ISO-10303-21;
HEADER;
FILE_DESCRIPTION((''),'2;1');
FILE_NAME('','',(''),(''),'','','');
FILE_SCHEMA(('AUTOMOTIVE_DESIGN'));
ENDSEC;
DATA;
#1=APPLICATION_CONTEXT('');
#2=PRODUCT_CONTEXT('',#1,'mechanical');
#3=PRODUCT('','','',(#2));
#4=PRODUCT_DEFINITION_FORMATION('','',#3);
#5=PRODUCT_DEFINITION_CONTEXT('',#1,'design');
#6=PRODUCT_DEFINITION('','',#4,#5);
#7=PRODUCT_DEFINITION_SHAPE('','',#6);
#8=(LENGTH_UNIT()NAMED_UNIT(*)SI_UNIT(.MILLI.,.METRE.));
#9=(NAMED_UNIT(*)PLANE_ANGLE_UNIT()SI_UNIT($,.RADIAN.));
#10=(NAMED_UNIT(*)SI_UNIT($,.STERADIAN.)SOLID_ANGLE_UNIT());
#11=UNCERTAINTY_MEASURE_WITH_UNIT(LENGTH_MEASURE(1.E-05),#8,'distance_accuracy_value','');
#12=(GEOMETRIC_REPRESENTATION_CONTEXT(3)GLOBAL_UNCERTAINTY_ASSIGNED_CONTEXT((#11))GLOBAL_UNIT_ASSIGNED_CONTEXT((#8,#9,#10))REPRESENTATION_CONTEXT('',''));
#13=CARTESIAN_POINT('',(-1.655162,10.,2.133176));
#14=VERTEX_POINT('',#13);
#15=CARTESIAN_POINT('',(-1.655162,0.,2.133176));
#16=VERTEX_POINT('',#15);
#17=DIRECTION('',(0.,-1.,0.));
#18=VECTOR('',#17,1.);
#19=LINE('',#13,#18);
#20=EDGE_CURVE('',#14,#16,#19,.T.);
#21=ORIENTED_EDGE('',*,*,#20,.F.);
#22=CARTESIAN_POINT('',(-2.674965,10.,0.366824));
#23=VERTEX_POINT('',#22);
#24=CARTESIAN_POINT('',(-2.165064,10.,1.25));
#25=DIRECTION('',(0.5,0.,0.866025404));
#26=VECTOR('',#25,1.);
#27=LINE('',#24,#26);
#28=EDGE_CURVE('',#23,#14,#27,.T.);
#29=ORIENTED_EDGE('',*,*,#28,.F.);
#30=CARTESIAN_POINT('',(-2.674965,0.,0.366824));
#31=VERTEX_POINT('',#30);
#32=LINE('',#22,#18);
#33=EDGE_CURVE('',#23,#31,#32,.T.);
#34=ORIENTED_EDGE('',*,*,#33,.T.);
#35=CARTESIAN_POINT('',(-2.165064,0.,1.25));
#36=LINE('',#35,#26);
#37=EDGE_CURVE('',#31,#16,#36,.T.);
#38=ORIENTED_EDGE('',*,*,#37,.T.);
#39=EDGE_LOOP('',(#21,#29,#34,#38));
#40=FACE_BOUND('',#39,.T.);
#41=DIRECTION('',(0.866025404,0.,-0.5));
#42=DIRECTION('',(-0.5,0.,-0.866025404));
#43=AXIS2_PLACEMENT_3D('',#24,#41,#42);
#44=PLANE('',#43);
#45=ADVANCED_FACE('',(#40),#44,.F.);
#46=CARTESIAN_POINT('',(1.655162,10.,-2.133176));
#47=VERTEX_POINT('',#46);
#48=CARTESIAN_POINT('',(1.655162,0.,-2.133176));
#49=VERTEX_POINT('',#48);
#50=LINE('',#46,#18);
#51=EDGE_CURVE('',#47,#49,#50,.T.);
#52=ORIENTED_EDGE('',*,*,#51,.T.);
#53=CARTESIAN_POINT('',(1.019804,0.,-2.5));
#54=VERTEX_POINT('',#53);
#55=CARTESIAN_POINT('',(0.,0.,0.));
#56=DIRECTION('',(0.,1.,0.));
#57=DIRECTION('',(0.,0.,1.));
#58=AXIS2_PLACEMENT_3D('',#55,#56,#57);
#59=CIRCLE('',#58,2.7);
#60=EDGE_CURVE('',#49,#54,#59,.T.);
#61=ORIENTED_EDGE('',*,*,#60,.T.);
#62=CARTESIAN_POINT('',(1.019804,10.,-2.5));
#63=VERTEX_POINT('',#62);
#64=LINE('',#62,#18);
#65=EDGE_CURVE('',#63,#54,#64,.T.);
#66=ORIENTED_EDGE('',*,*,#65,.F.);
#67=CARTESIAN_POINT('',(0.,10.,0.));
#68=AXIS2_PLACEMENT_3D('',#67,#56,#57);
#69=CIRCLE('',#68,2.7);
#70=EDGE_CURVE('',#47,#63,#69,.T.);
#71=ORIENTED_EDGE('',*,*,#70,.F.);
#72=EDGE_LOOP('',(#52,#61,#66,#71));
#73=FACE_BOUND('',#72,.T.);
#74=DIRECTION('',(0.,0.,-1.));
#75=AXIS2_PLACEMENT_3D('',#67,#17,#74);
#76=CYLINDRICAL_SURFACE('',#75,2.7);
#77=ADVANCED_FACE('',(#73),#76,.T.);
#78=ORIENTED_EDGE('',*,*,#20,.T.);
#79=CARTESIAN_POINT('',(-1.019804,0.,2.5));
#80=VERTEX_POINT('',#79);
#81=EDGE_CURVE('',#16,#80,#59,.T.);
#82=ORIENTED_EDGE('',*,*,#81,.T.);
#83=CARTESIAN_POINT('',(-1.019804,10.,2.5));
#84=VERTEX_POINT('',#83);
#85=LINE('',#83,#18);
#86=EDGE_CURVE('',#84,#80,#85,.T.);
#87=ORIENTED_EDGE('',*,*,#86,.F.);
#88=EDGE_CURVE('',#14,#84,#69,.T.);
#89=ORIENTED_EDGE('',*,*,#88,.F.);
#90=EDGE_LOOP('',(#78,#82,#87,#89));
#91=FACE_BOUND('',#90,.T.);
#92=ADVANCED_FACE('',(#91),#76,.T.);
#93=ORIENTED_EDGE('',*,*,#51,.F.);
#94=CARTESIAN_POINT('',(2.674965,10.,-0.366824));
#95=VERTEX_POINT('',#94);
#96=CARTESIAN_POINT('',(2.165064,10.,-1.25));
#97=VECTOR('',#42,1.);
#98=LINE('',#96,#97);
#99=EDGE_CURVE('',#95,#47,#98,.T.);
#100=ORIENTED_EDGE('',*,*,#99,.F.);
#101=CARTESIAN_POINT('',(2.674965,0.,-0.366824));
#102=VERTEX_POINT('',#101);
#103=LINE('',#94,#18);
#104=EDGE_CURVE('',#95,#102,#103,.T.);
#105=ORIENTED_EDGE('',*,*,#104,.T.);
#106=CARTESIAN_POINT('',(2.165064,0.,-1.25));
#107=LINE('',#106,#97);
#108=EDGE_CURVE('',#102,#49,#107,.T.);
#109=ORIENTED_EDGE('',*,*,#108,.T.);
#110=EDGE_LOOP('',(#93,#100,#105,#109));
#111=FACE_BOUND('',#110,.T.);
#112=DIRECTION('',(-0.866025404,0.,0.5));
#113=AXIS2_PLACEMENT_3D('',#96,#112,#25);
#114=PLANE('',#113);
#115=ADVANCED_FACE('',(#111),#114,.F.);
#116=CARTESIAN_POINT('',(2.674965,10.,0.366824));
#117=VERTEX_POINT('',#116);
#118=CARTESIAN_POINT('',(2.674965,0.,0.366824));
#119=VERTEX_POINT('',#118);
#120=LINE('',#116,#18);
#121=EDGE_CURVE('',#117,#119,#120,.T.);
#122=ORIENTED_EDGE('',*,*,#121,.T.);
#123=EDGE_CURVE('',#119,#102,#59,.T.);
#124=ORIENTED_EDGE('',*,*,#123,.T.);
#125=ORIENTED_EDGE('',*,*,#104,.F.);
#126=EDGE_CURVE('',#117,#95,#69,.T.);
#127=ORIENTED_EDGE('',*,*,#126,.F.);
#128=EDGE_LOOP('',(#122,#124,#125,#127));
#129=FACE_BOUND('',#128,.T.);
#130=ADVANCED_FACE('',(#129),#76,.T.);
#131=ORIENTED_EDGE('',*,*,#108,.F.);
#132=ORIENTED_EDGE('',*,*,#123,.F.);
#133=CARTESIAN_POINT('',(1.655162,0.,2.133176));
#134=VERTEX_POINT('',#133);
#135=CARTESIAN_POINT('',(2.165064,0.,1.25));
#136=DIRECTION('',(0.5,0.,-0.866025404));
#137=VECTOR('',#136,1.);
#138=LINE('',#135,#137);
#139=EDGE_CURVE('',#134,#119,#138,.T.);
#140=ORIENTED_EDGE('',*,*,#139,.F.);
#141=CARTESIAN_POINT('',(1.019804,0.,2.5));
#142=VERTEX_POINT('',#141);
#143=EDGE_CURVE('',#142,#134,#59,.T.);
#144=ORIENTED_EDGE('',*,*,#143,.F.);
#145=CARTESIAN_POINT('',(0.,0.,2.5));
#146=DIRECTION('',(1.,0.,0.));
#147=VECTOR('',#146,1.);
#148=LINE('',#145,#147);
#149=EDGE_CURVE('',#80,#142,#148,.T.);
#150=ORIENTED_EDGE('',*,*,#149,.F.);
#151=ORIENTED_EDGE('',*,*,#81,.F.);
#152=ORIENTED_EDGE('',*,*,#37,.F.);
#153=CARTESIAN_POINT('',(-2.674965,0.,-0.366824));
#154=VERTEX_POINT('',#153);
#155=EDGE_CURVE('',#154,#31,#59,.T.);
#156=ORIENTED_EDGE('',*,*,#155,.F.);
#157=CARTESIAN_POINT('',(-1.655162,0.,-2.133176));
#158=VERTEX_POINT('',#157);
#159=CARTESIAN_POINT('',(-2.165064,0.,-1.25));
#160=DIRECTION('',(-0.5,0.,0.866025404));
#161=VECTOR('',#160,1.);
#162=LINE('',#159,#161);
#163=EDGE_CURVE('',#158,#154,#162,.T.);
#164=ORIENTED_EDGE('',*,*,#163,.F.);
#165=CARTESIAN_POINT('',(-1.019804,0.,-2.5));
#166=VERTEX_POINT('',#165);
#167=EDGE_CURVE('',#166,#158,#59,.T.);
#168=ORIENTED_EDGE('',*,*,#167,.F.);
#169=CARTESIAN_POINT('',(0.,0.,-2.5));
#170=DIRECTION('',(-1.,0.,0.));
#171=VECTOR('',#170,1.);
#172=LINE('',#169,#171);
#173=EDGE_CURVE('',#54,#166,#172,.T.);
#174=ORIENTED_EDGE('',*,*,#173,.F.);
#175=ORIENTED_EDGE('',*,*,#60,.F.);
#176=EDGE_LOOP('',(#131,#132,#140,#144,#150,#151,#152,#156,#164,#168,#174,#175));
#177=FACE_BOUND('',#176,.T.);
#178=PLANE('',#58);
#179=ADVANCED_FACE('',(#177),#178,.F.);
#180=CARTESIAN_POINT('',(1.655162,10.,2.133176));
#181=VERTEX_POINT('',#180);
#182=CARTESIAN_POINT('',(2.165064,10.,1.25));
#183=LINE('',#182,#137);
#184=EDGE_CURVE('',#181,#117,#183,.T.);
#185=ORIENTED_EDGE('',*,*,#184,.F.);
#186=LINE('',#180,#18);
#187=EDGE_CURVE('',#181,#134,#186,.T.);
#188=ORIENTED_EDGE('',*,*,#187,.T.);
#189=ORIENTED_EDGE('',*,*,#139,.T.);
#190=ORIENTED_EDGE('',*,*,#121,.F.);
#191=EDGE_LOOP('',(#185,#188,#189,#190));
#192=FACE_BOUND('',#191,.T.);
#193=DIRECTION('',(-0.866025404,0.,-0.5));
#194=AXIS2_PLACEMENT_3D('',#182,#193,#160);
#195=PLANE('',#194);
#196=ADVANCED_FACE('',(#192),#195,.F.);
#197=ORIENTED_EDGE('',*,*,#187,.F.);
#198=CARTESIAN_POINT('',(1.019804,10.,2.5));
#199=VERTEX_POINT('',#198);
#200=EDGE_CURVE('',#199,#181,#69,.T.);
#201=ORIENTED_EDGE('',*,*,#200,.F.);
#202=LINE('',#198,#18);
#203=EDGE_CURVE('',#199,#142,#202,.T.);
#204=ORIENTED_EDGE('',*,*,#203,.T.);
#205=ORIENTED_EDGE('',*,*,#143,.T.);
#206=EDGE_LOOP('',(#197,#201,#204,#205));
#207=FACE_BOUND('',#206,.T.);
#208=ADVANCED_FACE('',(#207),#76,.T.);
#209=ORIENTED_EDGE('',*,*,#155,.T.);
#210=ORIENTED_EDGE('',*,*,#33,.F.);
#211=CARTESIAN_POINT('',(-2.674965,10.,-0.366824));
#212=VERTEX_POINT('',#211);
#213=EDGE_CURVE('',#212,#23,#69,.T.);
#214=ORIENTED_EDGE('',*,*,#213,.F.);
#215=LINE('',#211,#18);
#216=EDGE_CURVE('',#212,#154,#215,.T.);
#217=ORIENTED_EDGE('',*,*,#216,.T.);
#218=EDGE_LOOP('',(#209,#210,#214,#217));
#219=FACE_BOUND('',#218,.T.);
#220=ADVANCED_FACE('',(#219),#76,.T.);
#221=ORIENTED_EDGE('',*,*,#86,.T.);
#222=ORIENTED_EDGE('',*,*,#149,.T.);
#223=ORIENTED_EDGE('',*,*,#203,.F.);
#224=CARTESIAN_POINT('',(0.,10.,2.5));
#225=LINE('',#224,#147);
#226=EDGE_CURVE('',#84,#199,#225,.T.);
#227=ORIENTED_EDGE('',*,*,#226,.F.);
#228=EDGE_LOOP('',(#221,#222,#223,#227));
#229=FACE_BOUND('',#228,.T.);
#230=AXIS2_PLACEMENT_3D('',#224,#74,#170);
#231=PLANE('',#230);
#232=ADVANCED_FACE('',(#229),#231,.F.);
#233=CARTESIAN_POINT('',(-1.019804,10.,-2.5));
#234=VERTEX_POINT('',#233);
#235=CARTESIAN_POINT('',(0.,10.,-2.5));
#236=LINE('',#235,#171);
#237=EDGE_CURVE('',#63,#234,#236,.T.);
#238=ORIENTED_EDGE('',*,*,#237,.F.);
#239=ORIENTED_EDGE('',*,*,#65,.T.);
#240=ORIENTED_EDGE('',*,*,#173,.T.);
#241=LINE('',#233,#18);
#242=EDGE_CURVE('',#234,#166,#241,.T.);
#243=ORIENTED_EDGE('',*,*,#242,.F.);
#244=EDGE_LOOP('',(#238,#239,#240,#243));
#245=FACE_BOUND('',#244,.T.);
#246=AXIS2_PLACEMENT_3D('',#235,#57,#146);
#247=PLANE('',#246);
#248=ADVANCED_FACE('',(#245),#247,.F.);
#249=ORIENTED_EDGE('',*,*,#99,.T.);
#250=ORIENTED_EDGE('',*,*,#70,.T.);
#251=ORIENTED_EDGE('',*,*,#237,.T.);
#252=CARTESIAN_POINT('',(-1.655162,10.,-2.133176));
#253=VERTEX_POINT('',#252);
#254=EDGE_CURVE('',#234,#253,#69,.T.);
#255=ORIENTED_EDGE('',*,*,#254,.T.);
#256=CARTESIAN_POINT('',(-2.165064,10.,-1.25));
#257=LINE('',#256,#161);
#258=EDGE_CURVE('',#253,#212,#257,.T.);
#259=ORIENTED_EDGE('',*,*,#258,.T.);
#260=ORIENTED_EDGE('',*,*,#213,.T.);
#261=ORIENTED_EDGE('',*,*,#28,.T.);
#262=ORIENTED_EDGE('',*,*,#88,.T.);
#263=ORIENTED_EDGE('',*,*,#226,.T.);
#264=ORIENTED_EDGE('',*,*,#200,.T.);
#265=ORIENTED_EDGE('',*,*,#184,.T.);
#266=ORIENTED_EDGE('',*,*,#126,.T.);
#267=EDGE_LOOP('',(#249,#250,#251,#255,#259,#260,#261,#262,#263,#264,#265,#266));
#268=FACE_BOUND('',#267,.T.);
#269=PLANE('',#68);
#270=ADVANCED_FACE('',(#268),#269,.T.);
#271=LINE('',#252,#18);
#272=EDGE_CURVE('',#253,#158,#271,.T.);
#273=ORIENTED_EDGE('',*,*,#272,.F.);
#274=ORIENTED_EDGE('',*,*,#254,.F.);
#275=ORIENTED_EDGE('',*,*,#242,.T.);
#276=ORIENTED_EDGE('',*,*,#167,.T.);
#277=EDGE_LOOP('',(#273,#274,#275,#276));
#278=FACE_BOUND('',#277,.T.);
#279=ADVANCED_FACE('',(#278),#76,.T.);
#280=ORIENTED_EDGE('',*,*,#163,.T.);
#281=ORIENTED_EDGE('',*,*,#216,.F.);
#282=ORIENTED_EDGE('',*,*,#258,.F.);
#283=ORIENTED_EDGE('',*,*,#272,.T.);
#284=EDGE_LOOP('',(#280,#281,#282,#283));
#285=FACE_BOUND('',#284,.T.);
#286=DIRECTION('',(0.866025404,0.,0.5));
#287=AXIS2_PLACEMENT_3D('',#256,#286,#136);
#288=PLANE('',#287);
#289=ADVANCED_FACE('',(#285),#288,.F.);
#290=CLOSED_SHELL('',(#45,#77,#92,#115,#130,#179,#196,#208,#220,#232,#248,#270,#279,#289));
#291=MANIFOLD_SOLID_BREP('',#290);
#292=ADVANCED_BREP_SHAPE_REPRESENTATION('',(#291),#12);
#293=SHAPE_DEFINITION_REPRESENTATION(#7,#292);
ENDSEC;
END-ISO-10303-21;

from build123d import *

# Parameters (mm, degrees)
BOSS_EXTRUDE1_DEPTH = 10


with BuildPart() as part:
    # Sketch1 → Boss-Extrude1 (new body)
    with BuildSketch(Plane(origin=(0, 0, 0), x_dir=(1, 0, 0), z_dir=(0, 1, 0))):
        with BuildLine():
            ThreePointArc((2.7, 0), (2.693734095, 0.183838592), (2.674965461, 0.366823913))
            Line((2.674965461, 0.366823913), (1.655161558, 2.133176087))
            ThreePointArc((1.655161558, 2.133176087), (1.35, 2.33826859), (1.019803903, 2.5))
            Line((1.019803903, 2.5), (-1.019803903, 2.5))
            ThreePointArc((-1.019803903, 2.5), (-1.35, 2.33826859), (-1.655161558, 2.133176087))
            Line((-1.655161558, 2.133176087), (-2.674965461, 0.366823913))
            ThreePointArc((-2.674965461, 0.366823913), (-2.7, 0), (-2.674965461, -0.366823913))
            Line((-2.674965461, -0.366823913), (-1.655161558, -2.133176087))
            ThreePointArc((-1.655161558, -2.133176087), (-1.35, -2.33826859), (-1.019803903, -2.5))
            Line((-1.019803903, -2.5), (1.019803903, -2.5))
            ThreePointArc((1.019803903, -2.5), (1.35, -2.33826859), (1.655161558, -2.133176087))
            Line((1.655161558, -2.133176087), (2.674965461, -0.366823913))
            ThreePointArc((2.674965461, -0.366823913), (2.693734095, -0.183838592), (2.7, 0))
        make_face()
    extrude(amount=BOSS_EXTRUDE1_DEPTH)


solid = part.part
